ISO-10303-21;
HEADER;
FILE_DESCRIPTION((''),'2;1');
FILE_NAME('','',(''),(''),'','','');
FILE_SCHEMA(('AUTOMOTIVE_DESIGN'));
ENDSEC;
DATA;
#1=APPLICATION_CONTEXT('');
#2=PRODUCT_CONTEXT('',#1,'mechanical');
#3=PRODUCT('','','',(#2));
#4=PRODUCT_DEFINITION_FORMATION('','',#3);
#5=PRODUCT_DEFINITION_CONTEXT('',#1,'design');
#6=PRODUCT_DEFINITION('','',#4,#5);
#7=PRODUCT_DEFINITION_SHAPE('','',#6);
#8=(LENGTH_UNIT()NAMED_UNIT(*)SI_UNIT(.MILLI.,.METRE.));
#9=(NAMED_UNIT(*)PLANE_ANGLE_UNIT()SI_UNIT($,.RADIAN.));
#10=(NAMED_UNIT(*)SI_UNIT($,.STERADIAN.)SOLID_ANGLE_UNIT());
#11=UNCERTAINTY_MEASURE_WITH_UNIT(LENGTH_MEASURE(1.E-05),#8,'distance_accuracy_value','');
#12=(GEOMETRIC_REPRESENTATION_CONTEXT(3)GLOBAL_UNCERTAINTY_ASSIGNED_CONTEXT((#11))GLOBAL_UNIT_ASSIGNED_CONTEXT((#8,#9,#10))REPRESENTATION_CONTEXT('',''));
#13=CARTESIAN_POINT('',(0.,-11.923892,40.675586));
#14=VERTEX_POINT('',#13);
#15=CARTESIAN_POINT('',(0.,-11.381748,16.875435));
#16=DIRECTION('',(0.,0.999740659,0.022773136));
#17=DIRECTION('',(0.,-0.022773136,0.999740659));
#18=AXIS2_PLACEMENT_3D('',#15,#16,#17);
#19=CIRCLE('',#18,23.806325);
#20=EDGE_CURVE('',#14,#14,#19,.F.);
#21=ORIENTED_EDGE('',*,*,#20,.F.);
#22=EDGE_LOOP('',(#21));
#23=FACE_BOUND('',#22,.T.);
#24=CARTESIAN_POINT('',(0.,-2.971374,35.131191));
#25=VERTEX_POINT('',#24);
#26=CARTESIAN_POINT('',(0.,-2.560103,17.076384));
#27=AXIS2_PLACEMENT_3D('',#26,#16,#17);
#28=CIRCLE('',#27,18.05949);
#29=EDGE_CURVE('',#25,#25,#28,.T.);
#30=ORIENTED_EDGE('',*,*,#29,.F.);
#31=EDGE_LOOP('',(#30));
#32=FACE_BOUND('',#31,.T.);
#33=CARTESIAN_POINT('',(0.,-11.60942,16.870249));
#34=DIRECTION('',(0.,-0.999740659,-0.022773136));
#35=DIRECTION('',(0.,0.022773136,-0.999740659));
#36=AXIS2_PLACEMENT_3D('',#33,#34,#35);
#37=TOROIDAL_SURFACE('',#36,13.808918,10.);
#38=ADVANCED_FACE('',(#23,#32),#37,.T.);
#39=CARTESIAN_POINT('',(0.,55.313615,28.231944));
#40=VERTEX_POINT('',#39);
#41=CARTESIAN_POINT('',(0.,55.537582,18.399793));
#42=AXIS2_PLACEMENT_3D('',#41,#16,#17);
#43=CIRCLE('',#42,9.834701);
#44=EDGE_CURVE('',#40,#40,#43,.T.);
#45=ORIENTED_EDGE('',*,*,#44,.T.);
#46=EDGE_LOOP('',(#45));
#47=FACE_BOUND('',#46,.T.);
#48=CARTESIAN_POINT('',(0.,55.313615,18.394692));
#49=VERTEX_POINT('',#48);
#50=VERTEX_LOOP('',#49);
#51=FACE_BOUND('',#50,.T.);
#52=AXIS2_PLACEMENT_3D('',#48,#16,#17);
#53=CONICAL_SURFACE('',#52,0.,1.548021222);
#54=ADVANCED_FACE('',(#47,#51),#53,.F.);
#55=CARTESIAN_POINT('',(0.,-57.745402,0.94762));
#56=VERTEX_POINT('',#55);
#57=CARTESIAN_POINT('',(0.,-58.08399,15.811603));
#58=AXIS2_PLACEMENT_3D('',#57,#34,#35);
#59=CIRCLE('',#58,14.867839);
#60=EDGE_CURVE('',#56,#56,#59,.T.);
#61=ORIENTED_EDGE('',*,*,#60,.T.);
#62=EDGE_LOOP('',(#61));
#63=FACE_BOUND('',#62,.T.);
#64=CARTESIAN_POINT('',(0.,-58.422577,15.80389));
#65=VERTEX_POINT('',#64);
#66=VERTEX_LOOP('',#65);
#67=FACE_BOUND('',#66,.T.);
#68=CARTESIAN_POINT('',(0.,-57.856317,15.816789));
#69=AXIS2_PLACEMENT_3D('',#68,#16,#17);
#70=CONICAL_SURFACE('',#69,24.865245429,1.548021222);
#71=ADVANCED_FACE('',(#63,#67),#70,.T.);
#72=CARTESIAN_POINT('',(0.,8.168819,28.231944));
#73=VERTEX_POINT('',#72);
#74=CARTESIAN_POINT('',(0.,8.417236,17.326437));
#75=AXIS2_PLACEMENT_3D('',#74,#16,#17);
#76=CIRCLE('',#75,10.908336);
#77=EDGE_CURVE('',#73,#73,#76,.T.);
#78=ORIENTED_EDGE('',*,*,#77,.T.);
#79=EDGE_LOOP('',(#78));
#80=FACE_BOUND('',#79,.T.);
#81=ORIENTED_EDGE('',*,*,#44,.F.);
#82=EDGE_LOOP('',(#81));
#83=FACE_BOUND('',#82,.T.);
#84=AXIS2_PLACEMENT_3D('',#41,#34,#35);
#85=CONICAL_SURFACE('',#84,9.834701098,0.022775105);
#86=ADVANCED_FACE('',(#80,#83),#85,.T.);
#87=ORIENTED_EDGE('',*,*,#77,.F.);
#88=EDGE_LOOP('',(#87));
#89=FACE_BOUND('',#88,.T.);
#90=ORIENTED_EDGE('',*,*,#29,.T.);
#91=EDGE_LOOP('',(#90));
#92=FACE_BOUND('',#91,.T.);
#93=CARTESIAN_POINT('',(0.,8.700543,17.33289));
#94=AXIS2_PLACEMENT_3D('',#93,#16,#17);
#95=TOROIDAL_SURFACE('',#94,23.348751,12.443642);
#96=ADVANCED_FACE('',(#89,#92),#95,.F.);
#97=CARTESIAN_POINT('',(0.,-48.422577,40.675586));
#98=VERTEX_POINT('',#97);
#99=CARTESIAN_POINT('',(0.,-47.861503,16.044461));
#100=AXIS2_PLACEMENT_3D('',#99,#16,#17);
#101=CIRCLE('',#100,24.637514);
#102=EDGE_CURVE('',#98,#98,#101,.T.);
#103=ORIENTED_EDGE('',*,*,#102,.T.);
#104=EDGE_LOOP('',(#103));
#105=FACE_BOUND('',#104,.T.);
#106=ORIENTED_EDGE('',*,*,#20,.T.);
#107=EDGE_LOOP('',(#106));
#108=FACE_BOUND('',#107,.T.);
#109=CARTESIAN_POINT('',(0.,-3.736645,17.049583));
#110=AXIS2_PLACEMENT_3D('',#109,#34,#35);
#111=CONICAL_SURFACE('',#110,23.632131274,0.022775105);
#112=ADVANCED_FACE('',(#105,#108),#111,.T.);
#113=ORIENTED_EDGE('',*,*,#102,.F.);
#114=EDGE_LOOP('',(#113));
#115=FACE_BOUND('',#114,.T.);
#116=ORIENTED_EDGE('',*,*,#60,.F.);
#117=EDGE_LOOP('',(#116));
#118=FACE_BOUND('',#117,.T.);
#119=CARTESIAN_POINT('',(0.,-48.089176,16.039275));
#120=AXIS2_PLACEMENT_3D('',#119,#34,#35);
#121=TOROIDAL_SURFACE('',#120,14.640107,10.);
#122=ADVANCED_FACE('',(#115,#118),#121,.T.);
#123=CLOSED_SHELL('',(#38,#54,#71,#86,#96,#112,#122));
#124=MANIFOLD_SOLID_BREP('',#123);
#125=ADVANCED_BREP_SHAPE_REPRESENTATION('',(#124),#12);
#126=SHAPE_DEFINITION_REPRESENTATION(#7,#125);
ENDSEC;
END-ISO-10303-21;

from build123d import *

# Parameters (mm, degrees)
FILLET1_R = 10
FILLET3_R = 10


with BuildPart() as part:
    # Sketch1 → Revolve1 (revolve)
    with BuildSketch(Plane(origin=(0, 0, 0), x_dir=(0, 0, -1), z_dir=(1, 0, 0))):
        with BuildLine():
            Line((-18.394691605, 55.313614898), (-15.803889971, -58.42257686))
            Line((-15.803889971, -58.42257686), (-40.675585663, -58.42257686))
            Line((-40.675585663, -58.42257686), (-40.675585663, -4.274822697))
            ThreePointArc((-40.675585663, -4.274822697), (-31.876602198, -0.630164411), (-28.231943912, 8.168819054))
            Line((-28.231943912, 8.168819054), (-28.231943912, 55.313614898))
            Line((-28.231943912, 55.313614898), (-18.394691605, 55.313614898))
        make_face()
    revolve(axis=Axis((0, 55.313614898, 18.394691605), (0, -0.9997406585155251, -0.02277313572928287)))

    # Fillet1
    fillet1_edges = [part.edges().sort_by_distance(p)[0] for p in [
        (0, -57.290057641, -9.042008017),
    ]]
    fillet(fillet1_edges, radius=FILLET1_R)

    # Fillet3
    fillet3_edges = [part.edges().sort_by_distance(p)[0] for p in [
        (0, -3.198467231, -6.576419302),
    ]]
    fillet(fillet3_edges, radius=FILLET3_R)


solid = part.part
